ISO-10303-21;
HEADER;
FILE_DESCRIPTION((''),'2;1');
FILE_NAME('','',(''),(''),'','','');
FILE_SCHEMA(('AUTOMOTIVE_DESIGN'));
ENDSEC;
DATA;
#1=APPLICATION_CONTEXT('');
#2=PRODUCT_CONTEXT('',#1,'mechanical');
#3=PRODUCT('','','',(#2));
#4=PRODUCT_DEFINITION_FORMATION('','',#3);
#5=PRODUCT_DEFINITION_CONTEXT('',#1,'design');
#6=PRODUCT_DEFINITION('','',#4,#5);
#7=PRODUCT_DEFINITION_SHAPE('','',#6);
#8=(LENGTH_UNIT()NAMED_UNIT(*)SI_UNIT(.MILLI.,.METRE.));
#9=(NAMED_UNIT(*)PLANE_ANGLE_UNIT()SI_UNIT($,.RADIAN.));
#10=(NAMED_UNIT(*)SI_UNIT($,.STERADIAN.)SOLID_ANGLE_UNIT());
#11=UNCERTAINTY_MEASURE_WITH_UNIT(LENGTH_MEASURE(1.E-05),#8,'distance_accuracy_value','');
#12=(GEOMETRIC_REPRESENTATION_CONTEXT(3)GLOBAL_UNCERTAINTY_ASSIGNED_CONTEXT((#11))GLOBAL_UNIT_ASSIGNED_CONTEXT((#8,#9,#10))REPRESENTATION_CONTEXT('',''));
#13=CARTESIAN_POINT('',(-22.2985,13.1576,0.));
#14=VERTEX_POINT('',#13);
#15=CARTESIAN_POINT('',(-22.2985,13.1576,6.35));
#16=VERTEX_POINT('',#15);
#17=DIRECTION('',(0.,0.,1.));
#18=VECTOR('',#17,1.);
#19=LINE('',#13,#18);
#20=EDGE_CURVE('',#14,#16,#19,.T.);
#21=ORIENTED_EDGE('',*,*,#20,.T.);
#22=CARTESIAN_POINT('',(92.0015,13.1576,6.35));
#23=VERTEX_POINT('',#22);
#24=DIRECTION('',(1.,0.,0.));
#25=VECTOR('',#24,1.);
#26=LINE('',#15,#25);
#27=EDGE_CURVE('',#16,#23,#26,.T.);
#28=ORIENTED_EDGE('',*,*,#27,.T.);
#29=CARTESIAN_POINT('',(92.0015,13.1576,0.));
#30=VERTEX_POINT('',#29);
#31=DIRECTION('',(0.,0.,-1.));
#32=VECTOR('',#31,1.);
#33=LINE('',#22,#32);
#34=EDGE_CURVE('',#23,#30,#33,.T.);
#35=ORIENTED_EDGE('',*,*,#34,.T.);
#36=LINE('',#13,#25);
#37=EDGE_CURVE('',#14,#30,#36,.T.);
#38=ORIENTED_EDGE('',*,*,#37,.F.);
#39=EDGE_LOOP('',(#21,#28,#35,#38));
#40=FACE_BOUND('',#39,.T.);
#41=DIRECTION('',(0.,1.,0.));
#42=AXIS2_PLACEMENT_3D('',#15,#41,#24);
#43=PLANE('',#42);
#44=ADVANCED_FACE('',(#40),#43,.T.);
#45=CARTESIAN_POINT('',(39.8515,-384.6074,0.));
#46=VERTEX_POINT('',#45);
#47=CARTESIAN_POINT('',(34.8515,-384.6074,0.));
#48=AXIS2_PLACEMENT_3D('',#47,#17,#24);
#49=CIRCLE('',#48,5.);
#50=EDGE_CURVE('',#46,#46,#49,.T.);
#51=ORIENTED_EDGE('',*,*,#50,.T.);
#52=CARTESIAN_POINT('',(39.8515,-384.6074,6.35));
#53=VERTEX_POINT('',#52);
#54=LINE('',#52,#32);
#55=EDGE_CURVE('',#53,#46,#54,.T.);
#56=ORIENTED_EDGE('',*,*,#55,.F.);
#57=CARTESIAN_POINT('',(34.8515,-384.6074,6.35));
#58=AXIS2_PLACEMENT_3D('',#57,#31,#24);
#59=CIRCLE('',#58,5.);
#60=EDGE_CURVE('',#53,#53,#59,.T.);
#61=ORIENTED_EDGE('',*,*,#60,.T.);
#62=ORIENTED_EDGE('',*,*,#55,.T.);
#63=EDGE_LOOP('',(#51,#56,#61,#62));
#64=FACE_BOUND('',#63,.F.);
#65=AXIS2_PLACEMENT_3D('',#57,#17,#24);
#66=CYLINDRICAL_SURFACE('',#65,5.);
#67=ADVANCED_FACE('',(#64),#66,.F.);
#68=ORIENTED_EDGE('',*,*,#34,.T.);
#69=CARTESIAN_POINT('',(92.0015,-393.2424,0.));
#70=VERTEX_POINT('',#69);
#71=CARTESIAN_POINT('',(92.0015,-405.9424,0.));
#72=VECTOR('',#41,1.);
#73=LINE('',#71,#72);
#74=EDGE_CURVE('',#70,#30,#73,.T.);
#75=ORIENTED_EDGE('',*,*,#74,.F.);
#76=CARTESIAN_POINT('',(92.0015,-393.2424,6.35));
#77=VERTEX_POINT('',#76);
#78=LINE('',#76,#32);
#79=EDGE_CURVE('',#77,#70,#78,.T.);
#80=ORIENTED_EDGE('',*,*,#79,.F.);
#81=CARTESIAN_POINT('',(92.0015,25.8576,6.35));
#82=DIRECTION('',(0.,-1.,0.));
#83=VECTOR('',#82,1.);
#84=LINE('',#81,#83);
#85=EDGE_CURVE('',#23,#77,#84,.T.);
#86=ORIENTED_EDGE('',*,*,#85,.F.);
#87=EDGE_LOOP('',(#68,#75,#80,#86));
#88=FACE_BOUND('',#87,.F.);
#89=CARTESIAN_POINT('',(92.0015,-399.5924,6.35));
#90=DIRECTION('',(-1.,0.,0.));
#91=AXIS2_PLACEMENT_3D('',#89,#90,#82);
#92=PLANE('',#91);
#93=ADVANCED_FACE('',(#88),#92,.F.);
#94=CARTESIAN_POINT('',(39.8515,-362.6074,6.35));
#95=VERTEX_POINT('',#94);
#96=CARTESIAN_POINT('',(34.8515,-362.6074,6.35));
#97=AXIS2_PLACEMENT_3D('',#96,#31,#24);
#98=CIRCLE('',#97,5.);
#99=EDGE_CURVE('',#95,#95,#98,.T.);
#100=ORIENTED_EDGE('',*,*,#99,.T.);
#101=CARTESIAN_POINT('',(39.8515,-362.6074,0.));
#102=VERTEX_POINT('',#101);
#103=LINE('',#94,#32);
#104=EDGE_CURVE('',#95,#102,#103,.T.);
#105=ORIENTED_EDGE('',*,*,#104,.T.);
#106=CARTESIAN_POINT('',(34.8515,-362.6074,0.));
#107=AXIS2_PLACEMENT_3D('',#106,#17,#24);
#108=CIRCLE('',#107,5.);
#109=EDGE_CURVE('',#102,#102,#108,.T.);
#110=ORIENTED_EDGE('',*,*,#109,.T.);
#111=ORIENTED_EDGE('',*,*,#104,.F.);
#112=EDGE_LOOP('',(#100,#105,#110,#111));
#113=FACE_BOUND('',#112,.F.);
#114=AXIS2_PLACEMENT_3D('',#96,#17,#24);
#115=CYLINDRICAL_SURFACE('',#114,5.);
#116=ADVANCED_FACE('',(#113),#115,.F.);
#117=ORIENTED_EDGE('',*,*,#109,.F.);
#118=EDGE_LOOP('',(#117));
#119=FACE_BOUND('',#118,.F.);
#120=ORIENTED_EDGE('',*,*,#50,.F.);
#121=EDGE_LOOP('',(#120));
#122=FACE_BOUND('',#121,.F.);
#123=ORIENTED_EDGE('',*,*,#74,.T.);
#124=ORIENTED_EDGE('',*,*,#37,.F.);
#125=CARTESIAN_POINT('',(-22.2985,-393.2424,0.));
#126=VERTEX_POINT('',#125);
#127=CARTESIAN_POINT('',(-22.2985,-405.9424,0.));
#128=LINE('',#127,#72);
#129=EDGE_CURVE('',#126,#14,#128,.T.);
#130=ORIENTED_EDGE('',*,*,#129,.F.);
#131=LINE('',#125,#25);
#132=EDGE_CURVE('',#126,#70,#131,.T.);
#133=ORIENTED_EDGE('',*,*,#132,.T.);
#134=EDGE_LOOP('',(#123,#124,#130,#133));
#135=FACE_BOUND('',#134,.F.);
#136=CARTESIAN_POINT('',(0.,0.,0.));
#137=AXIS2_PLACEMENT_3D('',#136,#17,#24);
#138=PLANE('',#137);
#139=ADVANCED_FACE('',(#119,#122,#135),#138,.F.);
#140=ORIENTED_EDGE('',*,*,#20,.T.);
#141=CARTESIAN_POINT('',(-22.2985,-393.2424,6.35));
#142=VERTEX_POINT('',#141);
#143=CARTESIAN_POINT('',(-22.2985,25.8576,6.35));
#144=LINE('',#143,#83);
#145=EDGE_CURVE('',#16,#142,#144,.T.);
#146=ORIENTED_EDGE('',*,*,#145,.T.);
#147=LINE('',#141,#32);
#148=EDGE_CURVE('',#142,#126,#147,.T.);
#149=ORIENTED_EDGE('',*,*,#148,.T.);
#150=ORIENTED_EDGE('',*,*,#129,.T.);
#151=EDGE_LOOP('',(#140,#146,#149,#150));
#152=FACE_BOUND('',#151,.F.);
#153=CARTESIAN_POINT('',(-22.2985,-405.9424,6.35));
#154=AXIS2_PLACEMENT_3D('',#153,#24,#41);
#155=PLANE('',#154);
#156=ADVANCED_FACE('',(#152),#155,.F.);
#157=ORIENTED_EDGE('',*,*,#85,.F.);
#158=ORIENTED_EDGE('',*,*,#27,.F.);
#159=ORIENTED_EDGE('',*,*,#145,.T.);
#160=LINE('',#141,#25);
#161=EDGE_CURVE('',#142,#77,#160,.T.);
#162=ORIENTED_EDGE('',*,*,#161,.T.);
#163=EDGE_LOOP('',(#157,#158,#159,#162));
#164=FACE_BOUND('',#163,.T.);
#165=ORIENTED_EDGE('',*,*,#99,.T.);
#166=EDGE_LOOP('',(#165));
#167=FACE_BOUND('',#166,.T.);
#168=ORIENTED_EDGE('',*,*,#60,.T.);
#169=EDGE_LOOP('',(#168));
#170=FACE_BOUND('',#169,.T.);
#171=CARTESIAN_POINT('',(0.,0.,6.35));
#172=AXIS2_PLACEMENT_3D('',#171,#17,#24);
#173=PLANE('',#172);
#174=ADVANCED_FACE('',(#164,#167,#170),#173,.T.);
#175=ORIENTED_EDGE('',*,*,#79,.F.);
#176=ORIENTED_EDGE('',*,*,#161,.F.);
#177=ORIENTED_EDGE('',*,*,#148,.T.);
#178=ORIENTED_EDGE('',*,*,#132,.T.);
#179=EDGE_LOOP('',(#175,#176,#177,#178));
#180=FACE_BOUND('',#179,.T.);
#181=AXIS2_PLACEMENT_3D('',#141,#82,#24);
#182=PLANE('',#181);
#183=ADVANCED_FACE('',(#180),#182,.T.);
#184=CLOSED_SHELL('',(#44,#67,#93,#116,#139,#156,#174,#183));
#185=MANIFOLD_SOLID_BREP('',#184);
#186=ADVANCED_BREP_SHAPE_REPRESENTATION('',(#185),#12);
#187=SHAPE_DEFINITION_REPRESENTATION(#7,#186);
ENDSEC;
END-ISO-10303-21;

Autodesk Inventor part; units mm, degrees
ref_plane "YZ Plane" through (0, 0, 0) normal (1, 0, 0) x (0, 1, 0)
ref_plane "XZ Plane" through (0, 0, 0) normal (0, 1, 0) x (-1, 0, 0)
ref_plane "XY Plane" through (0, 0, 0) normal (0, 0, 1) x (1, 0, 0)
sketch "Sketch1" plane through (0, 0, 0) normal (0, 0, 1) x (1, 0, 0)
  line L0 (-22.2985, 25.8576) -> (117.4015, 25.8576)
  line L1 (117.4015, 25.8576) -> (117.4015, -278.9424)
  line L2 (117.4015, -278.9424) -> (-22.2985, -278.9424)
  line L3 (-22.2985, -278.9424) -> (-22.2985, 25.8576)
  point P0 (0, 0)
  dimension "d0" = 139.7
  dimension "d1" = 304.8
extrude "Extrusion1" add sketch "Sketch1" along normal blind 6.35
sketch "Sketch2" plane through (117.4015, -278.9424, 0) normal (1, 0, 0) x (0, 0, -1)
  line L0 (-6.35, 304.8) -> (-6.35, 0) projected
  line L1 (0, 0) -> (-6.35, 0) projected
  line L2 (0, 304.8) -> (0, 0) projected
  line L3 (0, 304.8) -> (-6.35, 304.8) projected
  point P0 (0, 278.9424)
extrude "Extrusion2" add sketch "Sketch2" along normal blind 12.7
sketch "Sketch3" plane through (130.1015, -278.9424, 0) normal (1, 0, 0) x (0, 0, -1)
  line L0 (-6.35, 304.8) -> (0, 304.8) projected
  line L1 (-6.35, 0) -> (-6.35, 304.8) projected
  line L2 (0, 0) -> (-6.35, 0) projected
  line L3 (0, 304.8) -> (0, 0) projected
  point P0 (0, 278.9424)
extrude "Extrusion3" cut sketch "Sketch3" against normal blind 38.1
sketch "Sketch5" plane through (0, 0, 6.35) normal (0, 0, 1) x (1, 0, 0)
  line L0 (-22.2985, -278.9424) -> (92.0015, -278.9424)
  line L1 (92.0015, -278.9424) -> (92.0015, -532.9424)
  line L2 (92.0015, -532.9424) -> (-22.2985, -532.9424)
  line L3 (-22.2985, -532.9424) -> (-22.2985, -278.9424)
  point P0 (0, 0)
  dimension "d9" = 254
extrude "Extrusion4" add sketch "Sketch5" against normal blind 6.35
sketch "Sketch6" plane through (-22.2985, -532.9424, 6.35) normal (0, -1, 0) x (1, 0, 0)
  line L0 (0, -6.35) -> (114.3, -6.35) projected
  line L1 (114.3, 0) -> (114.3, -6.35) projected
  line L2 (0, 0) -> (114.3, 0) projected
  line L3 (0, 0) -> (0, -6.35) projected
  point P0 (22.2985, -6.35)
extrude "Extrusion5" cut sketch "Sketch6" against normal blind 127
sketch "Sketch7" plane through (0, 0, 6.35) normal (0, 0, 1) x (1, 0, 0)
  line L0 (-22.2985, -405.9424) -> (92.0015, -405.9424) projected
  line L1 (92.0015, -405.9424) -> (92.0015, 25.8576) projected
  line L2 (-22.2985, -405.9424) -> (92.0015, -405.9424)
  line L3 (92.0015, -405.9424) -> (92.0015, -399.5924)
  line L4 (92.0015, -399.5924) -> (-22.2985, -399.5924)
  line L5 (-22.2985, -399.5924) -> (-22.2985, -405.9424)
  point P0 (0, 0)
  dimension "d14" = 6.35
extrude "Extrusion6" cut sketch "Sketch7" against normal blind 25.4
sketch "Sketch8" plane through (0, 0, 6.35) normal (0, 0, 1) x (1, 0, 0)
  line L0 (-22.2985, -399.5924) -> (92.0015, -399.5924)
  line L1 (92.0015, -399.5924) -> (92.0015, -405.9424)
  line L2 (92.0015, -405.9424) -> (-22.2985, -405.9424)
  line L3 (-22.2985, -405.9424) -> (-22.2985, -399.5924)
  point P0 (0, 0)
  dimension "d17" = 6.35
extrude "Extrusion7" add sketch "Sketch8" against normal blind 6.35
sketch "Sketch9" plane through (0, 0, 6.35) normal (0, 0, 1) x (1, 0, 0)
  line L0 (-22.2985, -405.9424) -> (92.0015, -405.9424) projected
  line L1 (34.8515, -405.9424) -> (34.8515, -392.6074)
  line L2 (34.8515, -392.6074) -> (34.8515, -384.6074)
  circle A0 centre (34.8515, -384.6074) radius 5
  line L3 (34.8515, -392.6074) -> (34.8515, -362.6074)
  circle A1 centre (34.8515, -362.6074) radius 5
  point P0 (0, 0)
  dimension "d20" = 13.335
  dimension "d21" = 8
  dimension "d22" = 10
  dimension "d23" = 30
  dimension "d24" = 10
extrude "Extrusion8" cut sketch "Sketch9" against normal blind 25.4
sketch "Sketch10" plane through (-22.2985, 25.8576, 6.35) normal (0, 1, 0) x (1, 0, 0)
  line L0 (114.3, 0) -> (114.3, 6.35) projected
  line L1 (0, 6.35) -> (114.3, 6.35) projected
  line L2 (0, 6.35) -> (0, 0) projected
  line L3 (0, 0) -> (114.3, 0) projected
  point P0 (22.2985, 6.35)
extrude "Extrusion9" cut sketch "Sketch10" against normal blind 12.7
sketch "Sketch11" plane through (-22.2985, -405.9424, 6.35) normal (0, -1, 0) x (1, 0, 0)
  line L0 (0, -6.35) -> (114.3, -6.35) projected
  line L1 (114.3, 0) -> (114.3, -6.35) projected
  line L2 (0, 0) -> (114.3, 0) projected
  line L3 (0, 0) -> (0, -6.35) projected
  point P0 (22.2985, -6.35)
extrude "Extrusion10" cut sketch "Sketch11" against normal blind 12.7
properties part number "back"
